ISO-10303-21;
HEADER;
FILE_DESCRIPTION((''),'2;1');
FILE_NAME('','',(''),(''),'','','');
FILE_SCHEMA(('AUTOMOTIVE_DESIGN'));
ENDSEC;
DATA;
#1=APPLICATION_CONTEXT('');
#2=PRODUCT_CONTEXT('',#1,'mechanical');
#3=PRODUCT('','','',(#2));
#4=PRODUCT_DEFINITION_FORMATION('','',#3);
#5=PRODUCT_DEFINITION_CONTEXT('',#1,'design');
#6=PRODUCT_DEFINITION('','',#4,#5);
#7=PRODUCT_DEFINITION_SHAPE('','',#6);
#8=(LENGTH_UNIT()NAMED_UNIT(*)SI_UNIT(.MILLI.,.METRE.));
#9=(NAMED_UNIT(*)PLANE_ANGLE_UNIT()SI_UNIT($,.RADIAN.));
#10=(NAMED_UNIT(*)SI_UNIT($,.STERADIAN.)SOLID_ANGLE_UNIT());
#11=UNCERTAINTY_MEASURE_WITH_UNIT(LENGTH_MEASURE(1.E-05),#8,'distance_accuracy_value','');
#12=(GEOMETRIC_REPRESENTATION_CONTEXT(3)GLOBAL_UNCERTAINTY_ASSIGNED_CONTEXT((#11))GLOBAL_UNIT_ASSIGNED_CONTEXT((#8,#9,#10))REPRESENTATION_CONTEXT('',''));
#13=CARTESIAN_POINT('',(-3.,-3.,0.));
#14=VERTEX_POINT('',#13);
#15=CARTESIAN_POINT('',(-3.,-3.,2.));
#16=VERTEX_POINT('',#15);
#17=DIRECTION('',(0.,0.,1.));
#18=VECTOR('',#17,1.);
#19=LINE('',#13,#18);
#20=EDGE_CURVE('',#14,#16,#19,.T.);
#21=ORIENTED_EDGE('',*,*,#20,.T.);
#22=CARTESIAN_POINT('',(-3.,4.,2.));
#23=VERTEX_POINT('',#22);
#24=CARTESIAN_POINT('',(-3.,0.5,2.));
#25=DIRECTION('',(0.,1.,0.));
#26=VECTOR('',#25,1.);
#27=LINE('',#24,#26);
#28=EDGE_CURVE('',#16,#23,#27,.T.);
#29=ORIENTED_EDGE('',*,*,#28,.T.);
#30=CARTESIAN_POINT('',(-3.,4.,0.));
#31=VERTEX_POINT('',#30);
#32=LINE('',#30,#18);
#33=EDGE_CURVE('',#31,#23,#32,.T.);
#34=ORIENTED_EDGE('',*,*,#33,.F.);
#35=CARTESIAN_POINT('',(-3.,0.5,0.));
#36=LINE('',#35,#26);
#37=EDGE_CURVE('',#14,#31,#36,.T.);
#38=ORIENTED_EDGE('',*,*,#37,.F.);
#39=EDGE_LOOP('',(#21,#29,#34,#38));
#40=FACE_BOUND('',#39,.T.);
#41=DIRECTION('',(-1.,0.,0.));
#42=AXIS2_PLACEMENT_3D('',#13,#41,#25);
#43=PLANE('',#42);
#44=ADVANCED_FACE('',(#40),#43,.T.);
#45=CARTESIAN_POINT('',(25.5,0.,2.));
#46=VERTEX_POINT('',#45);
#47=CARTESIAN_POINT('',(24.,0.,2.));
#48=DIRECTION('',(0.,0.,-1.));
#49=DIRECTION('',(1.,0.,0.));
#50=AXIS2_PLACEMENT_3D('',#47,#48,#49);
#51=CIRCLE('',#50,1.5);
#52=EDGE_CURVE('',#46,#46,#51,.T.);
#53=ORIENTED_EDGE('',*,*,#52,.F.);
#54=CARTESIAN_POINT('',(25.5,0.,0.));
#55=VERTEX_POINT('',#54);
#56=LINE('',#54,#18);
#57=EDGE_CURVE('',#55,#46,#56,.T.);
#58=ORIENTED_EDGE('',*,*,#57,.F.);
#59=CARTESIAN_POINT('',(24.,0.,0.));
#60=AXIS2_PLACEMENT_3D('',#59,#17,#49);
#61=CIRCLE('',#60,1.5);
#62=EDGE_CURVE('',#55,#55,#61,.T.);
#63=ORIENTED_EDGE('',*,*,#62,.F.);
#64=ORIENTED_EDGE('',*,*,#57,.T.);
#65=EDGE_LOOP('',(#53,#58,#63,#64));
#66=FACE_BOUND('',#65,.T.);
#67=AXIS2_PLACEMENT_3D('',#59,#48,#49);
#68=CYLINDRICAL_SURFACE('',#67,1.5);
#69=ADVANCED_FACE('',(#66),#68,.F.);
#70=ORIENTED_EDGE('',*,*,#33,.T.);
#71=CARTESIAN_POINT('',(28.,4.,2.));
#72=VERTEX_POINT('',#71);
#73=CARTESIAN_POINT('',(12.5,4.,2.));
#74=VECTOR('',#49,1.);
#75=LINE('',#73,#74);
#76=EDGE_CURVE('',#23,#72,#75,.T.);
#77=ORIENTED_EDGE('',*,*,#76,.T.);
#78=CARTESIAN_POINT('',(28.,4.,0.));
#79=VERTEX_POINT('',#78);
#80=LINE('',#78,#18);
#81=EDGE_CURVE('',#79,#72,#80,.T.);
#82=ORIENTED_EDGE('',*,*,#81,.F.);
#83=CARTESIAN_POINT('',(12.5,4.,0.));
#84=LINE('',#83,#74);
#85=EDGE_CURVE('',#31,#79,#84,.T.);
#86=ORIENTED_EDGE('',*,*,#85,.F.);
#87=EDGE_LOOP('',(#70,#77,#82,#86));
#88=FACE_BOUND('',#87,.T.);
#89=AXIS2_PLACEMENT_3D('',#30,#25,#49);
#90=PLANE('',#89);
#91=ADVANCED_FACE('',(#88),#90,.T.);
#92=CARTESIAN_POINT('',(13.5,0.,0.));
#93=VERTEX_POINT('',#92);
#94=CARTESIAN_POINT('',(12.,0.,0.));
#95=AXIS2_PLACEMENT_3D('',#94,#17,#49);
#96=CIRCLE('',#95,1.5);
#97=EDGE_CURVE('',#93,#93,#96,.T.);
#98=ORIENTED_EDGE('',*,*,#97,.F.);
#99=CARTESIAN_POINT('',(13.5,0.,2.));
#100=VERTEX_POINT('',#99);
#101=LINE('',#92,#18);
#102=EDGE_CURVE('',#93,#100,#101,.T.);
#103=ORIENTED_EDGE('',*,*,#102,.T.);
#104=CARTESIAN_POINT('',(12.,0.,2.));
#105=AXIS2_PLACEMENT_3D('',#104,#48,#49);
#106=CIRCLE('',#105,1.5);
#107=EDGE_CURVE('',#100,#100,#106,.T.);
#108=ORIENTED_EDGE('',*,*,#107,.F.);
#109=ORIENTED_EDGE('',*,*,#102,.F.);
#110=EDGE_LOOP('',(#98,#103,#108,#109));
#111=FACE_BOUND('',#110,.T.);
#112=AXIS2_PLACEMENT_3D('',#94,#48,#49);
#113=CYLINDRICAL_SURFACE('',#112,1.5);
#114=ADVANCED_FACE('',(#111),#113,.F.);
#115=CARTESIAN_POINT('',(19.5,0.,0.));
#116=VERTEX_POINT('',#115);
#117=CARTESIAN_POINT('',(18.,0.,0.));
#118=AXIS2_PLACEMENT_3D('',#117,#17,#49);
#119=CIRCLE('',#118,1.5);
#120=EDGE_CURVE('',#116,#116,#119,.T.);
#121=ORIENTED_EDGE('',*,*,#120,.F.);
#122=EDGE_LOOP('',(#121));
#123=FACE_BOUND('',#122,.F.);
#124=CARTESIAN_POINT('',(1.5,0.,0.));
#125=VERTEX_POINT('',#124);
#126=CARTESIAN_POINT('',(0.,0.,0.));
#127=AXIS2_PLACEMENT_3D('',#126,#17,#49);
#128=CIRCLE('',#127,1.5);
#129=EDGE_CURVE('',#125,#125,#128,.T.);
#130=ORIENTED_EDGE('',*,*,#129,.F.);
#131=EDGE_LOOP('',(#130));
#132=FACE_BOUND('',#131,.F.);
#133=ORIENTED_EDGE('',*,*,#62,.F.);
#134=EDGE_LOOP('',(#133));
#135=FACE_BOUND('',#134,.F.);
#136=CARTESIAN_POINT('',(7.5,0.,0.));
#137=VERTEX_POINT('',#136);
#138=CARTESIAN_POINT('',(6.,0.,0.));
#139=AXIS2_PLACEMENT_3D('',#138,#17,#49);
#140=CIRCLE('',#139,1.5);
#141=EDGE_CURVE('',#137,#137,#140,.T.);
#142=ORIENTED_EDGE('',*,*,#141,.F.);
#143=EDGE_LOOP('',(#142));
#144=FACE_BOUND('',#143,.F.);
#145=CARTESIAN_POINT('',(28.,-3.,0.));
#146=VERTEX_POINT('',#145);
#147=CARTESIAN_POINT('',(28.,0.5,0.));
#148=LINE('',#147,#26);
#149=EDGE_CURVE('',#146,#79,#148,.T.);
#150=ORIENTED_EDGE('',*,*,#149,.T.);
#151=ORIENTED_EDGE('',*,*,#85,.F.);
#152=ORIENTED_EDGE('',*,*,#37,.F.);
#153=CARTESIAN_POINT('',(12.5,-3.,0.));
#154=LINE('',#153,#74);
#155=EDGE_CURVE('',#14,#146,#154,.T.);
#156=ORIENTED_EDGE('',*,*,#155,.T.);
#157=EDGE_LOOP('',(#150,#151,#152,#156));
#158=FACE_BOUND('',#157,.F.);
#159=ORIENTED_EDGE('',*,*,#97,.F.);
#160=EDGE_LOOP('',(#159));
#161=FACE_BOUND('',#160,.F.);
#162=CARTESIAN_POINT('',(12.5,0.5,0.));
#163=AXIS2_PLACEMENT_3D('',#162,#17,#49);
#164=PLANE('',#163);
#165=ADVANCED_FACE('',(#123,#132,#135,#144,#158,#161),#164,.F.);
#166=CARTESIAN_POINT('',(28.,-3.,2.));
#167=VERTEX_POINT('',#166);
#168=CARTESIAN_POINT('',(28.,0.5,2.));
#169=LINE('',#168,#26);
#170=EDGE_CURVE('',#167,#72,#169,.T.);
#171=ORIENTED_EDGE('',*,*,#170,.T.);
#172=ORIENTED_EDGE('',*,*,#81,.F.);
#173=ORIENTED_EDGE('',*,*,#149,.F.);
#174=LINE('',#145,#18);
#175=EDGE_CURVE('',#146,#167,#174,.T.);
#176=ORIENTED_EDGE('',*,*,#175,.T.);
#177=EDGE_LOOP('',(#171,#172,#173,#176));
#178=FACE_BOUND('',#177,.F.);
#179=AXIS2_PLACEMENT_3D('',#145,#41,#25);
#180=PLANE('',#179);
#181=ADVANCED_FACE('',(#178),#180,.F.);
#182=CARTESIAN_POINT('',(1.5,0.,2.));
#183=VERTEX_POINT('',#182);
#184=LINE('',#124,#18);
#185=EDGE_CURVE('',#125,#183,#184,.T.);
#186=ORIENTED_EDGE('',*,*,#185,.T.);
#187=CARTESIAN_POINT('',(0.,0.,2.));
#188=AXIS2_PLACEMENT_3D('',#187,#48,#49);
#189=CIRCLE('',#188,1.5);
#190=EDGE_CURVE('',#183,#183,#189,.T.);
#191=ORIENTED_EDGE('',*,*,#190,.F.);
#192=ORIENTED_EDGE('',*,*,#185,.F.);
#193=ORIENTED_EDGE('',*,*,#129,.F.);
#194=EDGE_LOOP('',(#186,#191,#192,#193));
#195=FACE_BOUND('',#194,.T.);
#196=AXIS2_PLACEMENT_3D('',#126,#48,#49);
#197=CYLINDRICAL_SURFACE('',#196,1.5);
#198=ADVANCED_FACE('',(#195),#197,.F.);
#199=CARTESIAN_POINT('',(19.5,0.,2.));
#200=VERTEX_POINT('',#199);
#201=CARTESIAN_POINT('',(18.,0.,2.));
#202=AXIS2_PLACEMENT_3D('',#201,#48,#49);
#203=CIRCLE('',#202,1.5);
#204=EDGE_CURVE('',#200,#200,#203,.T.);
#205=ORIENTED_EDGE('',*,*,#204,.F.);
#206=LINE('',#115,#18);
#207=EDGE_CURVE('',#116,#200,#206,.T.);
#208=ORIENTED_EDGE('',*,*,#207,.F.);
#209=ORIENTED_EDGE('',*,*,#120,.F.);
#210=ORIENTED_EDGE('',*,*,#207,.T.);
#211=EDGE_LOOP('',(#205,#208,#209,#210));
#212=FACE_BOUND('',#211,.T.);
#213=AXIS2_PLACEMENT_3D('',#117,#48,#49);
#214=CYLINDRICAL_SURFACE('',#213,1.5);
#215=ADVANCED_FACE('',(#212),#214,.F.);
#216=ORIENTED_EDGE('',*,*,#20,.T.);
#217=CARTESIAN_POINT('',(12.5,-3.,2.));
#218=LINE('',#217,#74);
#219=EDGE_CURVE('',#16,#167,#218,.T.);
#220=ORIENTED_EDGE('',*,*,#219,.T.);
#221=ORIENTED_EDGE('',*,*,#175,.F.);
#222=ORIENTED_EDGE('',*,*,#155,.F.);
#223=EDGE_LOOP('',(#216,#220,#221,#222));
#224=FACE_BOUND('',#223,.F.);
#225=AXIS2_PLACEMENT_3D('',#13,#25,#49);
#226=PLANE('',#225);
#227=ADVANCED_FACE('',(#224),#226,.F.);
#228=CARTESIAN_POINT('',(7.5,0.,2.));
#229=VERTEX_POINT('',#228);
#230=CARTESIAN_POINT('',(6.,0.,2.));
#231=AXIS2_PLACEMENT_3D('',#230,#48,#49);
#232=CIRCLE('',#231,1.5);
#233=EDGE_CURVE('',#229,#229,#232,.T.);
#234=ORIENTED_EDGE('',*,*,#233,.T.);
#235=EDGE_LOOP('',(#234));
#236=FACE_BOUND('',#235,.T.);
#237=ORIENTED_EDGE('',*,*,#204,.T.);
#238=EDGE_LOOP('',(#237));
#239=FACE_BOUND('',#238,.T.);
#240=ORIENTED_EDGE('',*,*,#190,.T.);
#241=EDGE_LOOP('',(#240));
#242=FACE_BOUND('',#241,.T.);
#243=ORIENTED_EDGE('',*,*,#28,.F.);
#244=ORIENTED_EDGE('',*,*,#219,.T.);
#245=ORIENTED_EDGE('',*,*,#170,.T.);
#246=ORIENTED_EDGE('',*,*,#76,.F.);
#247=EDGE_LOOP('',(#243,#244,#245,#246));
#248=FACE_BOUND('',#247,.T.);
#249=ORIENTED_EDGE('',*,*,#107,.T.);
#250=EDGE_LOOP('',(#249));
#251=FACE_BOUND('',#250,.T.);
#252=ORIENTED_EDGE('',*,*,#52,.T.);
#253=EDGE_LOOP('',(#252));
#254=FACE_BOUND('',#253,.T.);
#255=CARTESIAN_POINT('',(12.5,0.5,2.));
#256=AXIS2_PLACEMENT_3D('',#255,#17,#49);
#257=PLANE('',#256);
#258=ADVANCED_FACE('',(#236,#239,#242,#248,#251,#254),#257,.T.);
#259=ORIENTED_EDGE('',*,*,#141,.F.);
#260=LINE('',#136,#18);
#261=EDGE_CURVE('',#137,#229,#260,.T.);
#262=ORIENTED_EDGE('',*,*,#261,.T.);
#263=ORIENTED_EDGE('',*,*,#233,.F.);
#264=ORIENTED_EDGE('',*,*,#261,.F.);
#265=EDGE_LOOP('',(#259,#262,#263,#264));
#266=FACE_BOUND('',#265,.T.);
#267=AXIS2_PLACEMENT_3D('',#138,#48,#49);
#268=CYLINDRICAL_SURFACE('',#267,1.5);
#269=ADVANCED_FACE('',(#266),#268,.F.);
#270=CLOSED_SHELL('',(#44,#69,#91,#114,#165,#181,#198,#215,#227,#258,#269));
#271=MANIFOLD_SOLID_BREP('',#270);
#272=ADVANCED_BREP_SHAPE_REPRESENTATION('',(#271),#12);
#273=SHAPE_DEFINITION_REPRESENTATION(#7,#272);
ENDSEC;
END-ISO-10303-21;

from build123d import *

# Parameters (mm, degrees)
CYLINDER_R     = 1.5
CYLINDER_DEPTH = 6
ARRAY_X_COUNT  = 5
ARRAY_X_PITCH  = 6
BOX_W          = 31
BOX_H          = 7
BOX_DEPTH      = 2


with BuildPart() as array:
    # Cylinder → Cylinder (new body)
    with BuildSketch(Plane.XY):
        Circle(CYLINDER_R)
    extrude(amount=CYLINDER_DEPTH)

    # Array X: Array ×5


with BuildPart() as array_1:
    add(array.part)
    with Locations(*[(i * ARRAY_X_PITCH, 0, 0) for i in range(1, ARRAY_X_COUNT)]):
        add(array.part)


with BuildPart() as cut:
    # Box → Box (new body)
    with BuildSketch(Plane(origin=(-3, -3, 0), x_dir=(1, 0, 0), z_dir=(0, 0, 1))):
        with Locations((15.5, 3.5)):
            Rectangle(BOX_W, BOX_H)
    extrude(amount=BOX_DEPTH)

    # Cut: cut Array
    add(array_1.part, mode=Mode.SUBTRACT)


solid = cut.part
